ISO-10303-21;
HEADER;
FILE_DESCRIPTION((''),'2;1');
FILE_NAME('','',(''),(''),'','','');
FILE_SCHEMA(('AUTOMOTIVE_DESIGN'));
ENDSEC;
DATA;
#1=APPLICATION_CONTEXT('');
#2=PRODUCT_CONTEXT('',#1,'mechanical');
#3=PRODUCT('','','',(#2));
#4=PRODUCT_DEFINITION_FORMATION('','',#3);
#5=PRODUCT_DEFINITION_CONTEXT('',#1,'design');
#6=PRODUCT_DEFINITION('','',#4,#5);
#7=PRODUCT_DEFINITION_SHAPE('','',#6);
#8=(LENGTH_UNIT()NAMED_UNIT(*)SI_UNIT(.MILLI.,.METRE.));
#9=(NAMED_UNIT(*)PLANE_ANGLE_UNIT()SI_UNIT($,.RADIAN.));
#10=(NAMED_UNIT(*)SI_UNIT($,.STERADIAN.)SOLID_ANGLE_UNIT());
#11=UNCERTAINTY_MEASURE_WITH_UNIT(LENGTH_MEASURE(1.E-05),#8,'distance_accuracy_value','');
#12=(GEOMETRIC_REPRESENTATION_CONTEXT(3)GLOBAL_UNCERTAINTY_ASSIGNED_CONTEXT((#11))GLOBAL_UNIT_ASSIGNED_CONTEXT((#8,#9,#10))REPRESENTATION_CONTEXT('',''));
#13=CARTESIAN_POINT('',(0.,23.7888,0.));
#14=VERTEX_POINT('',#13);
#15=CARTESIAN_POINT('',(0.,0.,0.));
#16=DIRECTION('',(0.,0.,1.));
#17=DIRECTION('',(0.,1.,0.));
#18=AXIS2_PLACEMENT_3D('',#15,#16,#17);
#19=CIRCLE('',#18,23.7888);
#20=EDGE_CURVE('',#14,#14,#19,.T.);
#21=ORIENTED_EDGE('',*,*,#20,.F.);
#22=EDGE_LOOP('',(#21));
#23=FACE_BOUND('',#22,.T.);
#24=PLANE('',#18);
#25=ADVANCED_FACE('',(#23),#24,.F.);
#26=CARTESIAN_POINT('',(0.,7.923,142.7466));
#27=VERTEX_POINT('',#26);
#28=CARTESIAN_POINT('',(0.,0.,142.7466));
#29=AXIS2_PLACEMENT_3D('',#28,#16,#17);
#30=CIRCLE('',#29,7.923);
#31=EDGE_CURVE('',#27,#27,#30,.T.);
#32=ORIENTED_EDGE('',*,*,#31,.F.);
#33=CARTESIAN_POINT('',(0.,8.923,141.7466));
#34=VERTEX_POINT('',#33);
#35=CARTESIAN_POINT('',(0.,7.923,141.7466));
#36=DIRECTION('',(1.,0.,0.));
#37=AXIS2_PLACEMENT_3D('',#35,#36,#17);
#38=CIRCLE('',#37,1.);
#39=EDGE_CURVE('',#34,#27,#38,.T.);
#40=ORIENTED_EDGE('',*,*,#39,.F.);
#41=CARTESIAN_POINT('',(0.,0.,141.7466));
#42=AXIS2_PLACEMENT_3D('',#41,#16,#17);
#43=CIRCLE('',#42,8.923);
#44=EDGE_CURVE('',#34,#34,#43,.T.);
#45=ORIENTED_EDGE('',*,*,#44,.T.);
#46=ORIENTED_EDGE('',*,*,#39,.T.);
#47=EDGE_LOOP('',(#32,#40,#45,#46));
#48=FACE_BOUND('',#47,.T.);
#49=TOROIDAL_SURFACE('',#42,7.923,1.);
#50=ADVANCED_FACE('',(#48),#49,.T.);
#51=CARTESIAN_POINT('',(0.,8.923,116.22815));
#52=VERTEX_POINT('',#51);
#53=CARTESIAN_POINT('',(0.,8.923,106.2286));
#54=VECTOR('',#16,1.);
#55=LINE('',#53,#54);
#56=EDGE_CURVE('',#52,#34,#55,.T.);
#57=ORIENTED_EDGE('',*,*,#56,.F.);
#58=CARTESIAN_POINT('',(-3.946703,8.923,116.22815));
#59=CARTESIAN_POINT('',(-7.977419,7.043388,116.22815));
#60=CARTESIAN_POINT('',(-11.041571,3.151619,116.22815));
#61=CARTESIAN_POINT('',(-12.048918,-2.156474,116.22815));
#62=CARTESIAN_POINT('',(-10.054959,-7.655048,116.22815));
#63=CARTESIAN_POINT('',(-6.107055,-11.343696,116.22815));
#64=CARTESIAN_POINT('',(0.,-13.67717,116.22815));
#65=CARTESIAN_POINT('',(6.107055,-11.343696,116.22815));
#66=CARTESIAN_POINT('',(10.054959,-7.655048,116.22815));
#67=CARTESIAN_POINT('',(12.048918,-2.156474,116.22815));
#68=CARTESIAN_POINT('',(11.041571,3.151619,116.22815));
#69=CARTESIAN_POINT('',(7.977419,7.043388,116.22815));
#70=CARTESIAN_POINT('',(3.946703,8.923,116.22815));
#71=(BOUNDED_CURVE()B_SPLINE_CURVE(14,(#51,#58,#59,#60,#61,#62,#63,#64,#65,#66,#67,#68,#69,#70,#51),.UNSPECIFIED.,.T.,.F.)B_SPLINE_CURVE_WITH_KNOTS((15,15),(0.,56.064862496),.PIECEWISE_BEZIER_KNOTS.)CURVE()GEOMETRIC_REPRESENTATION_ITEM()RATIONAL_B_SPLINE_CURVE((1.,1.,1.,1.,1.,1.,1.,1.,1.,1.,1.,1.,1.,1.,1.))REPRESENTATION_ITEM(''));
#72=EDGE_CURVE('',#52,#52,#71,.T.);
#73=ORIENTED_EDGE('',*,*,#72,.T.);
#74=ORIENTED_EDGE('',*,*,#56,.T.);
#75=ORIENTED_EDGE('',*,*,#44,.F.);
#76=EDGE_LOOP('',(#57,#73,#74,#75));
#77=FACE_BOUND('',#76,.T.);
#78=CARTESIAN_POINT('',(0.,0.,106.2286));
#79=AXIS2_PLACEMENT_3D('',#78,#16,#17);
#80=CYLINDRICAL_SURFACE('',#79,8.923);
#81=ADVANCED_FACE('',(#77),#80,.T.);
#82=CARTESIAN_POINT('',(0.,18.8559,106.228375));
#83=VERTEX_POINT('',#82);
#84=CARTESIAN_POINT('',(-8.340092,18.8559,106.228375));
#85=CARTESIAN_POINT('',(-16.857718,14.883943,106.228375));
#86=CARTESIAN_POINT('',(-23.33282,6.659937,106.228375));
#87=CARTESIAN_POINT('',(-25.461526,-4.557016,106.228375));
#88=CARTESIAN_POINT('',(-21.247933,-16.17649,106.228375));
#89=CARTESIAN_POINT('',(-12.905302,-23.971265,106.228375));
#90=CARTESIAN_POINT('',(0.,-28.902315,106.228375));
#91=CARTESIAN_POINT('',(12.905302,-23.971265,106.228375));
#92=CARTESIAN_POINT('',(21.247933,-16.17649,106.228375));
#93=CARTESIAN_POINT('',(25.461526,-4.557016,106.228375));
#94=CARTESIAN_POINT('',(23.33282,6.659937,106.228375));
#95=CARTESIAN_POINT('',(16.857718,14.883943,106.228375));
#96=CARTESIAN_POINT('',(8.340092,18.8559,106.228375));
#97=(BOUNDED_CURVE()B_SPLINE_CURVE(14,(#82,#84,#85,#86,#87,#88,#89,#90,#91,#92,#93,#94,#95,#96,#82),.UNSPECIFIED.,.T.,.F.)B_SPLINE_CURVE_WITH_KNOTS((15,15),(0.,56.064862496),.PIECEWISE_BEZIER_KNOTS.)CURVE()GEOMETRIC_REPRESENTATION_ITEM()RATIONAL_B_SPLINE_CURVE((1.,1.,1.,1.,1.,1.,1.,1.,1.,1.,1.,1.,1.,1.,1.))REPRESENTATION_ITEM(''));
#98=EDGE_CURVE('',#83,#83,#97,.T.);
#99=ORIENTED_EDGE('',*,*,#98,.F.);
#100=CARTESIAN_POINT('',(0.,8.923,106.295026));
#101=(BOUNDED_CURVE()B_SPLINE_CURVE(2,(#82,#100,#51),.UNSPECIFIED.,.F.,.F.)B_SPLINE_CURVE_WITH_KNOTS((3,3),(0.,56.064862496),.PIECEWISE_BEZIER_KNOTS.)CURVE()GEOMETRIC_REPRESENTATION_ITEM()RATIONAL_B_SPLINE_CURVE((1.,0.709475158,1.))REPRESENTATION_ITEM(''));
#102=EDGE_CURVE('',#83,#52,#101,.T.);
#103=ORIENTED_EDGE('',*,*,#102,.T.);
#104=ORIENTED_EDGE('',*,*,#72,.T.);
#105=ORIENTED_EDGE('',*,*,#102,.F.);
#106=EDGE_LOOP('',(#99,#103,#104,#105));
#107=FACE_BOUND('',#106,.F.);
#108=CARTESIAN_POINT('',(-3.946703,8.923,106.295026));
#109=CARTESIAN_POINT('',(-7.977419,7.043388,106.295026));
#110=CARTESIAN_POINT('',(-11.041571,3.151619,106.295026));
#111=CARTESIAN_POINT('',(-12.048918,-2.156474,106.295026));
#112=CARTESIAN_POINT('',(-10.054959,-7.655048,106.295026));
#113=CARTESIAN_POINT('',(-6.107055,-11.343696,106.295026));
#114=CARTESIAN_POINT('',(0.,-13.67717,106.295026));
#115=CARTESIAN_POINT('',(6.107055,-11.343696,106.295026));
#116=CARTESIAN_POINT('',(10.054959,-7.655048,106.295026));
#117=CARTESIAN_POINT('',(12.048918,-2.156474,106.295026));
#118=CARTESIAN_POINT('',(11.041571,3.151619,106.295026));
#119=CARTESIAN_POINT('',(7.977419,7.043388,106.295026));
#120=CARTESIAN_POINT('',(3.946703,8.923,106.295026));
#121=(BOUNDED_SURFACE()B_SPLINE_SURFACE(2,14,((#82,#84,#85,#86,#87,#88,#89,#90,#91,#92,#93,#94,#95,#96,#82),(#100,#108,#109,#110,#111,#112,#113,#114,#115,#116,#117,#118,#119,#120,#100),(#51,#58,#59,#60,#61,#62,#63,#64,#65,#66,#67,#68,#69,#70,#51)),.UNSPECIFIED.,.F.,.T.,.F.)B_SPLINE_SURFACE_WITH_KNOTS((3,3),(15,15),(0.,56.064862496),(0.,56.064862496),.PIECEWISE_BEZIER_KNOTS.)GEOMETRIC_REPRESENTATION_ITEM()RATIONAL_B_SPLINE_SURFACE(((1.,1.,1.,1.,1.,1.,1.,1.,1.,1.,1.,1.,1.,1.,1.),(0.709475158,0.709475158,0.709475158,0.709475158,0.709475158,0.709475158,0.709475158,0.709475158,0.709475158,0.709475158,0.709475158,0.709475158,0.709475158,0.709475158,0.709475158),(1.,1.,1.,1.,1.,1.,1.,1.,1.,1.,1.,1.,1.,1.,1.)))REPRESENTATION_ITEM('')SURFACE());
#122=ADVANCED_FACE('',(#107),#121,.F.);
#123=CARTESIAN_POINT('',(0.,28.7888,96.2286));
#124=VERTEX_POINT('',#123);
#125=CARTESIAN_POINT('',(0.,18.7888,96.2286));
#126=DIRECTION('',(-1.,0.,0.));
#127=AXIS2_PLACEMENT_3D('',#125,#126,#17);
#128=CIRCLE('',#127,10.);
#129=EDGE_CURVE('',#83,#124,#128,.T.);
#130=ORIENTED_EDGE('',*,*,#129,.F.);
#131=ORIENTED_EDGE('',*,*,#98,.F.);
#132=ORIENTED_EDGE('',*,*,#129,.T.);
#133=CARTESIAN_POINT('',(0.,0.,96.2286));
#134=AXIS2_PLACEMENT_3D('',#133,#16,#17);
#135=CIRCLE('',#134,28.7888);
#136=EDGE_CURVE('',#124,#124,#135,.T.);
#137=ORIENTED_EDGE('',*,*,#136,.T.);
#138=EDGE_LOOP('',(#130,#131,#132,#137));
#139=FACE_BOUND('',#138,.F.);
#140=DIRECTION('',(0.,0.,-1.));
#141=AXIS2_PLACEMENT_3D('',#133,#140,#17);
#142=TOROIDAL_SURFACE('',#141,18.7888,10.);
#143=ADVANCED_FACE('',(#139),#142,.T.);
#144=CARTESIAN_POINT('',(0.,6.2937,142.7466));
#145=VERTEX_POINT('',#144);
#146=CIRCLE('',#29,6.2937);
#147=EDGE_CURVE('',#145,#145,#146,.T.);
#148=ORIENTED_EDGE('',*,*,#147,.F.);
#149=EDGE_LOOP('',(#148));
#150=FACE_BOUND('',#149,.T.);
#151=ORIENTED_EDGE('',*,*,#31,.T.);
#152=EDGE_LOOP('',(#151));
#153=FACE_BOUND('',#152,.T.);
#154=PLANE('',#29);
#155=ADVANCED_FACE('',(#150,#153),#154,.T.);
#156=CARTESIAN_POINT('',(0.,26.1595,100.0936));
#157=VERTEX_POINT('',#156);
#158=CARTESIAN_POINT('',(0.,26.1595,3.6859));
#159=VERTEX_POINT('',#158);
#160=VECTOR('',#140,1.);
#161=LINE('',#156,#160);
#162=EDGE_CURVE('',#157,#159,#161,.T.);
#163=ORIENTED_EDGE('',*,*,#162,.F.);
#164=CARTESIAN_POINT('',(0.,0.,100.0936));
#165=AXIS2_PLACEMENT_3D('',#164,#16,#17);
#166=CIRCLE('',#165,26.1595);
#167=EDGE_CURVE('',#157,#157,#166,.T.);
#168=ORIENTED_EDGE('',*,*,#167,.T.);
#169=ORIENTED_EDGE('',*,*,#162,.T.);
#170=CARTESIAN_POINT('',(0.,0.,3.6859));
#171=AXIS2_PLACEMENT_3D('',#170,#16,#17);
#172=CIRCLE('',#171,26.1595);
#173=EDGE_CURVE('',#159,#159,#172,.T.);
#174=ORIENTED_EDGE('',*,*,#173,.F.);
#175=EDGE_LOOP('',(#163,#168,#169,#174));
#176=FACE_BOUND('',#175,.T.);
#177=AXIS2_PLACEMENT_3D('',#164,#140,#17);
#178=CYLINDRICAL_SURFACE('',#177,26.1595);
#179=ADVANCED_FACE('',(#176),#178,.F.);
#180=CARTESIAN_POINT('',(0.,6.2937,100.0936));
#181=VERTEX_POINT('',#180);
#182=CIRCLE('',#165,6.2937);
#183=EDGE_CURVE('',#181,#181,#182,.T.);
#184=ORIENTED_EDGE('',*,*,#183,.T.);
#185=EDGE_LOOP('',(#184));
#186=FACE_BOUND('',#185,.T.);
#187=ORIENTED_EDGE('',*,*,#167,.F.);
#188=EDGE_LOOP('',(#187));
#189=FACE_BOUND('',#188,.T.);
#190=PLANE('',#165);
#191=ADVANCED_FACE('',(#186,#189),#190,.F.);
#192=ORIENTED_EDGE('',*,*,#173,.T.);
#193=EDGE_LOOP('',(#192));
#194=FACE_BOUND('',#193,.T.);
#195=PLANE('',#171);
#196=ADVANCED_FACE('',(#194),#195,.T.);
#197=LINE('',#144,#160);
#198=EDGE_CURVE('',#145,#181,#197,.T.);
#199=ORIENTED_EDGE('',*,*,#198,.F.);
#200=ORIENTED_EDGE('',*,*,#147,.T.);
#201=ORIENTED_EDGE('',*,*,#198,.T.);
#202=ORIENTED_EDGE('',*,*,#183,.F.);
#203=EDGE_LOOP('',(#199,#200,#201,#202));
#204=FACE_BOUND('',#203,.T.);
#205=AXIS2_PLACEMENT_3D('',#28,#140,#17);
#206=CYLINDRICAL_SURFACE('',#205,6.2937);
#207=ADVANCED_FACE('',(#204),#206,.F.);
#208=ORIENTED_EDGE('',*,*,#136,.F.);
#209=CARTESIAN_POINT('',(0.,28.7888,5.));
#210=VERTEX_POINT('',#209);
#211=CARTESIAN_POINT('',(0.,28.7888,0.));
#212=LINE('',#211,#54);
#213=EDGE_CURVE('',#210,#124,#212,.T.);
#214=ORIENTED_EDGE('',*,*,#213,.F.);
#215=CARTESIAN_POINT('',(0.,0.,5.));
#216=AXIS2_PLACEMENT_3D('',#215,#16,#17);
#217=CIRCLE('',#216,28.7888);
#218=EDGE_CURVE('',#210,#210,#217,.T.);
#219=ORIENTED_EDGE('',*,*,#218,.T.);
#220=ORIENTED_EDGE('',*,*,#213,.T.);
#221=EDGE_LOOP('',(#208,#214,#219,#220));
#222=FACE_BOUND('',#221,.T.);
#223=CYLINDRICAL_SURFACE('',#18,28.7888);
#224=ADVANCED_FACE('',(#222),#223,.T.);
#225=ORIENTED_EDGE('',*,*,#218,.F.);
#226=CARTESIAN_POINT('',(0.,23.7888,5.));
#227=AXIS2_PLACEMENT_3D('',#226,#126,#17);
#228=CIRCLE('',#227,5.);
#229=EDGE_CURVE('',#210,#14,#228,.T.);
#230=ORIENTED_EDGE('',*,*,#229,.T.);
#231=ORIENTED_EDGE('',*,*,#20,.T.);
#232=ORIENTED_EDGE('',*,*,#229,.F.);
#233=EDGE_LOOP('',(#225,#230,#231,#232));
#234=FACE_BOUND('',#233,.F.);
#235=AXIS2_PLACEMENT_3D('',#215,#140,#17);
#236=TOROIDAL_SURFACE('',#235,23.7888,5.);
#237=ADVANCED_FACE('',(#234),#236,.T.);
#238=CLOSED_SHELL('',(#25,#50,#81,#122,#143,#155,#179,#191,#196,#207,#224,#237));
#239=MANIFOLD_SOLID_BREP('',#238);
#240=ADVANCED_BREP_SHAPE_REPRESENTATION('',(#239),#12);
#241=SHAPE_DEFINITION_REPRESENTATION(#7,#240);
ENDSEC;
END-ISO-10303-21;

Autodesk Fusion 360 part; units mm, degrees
sketch "Sketch3" plane through (0, 0, 0) normal (1, 0, 0) x (0, 1, 0)
  line L0 (0, 0) -> (28.7888, 0)
  line L1 (28.7888, 0) -> (28.7888, 106.2286)
  line L2 (28.7888, 106.2286) -> (8.923, 106.2286)
  line L3 (8.923, 106.2286) -> (8.923, 142.7466)
  line L4 (6.2937, 142.7466) -> (6.2937, 100.0936)
  line L5 (6.2937, 100.0936) -> (26.1595, 100.0936)
  line L6 (26.1595, 100.0936) -> (26.1595, 3.6859)
  line L7 (26.1595, 3.6859) -> (0, 3.6859)
  line L8 (0, 3.6859) -> (0, 0)
  line L9 (8.923, 142.7466) -> (6.2937, 142.7466)
revolve "Revolve2" add sketch "Sketch3" angle 360 about axis through (0, 0, 1.75) along (0, 0, 1)
fillet "Fillet10" radius 10 1 edges at (-26.8406, 10.4105, 106.2286)
fillet "Fillet11" radius 10 1 edges at (-8.3191, 3.2267, 106.2286)
fillet "Fillet12" radius 1 1 edges at (-8.3191, 3.2267, 142.7466)
fillet "Fillet13" radius 5 1 edges at (-26.8406, 10.4105, 0)
